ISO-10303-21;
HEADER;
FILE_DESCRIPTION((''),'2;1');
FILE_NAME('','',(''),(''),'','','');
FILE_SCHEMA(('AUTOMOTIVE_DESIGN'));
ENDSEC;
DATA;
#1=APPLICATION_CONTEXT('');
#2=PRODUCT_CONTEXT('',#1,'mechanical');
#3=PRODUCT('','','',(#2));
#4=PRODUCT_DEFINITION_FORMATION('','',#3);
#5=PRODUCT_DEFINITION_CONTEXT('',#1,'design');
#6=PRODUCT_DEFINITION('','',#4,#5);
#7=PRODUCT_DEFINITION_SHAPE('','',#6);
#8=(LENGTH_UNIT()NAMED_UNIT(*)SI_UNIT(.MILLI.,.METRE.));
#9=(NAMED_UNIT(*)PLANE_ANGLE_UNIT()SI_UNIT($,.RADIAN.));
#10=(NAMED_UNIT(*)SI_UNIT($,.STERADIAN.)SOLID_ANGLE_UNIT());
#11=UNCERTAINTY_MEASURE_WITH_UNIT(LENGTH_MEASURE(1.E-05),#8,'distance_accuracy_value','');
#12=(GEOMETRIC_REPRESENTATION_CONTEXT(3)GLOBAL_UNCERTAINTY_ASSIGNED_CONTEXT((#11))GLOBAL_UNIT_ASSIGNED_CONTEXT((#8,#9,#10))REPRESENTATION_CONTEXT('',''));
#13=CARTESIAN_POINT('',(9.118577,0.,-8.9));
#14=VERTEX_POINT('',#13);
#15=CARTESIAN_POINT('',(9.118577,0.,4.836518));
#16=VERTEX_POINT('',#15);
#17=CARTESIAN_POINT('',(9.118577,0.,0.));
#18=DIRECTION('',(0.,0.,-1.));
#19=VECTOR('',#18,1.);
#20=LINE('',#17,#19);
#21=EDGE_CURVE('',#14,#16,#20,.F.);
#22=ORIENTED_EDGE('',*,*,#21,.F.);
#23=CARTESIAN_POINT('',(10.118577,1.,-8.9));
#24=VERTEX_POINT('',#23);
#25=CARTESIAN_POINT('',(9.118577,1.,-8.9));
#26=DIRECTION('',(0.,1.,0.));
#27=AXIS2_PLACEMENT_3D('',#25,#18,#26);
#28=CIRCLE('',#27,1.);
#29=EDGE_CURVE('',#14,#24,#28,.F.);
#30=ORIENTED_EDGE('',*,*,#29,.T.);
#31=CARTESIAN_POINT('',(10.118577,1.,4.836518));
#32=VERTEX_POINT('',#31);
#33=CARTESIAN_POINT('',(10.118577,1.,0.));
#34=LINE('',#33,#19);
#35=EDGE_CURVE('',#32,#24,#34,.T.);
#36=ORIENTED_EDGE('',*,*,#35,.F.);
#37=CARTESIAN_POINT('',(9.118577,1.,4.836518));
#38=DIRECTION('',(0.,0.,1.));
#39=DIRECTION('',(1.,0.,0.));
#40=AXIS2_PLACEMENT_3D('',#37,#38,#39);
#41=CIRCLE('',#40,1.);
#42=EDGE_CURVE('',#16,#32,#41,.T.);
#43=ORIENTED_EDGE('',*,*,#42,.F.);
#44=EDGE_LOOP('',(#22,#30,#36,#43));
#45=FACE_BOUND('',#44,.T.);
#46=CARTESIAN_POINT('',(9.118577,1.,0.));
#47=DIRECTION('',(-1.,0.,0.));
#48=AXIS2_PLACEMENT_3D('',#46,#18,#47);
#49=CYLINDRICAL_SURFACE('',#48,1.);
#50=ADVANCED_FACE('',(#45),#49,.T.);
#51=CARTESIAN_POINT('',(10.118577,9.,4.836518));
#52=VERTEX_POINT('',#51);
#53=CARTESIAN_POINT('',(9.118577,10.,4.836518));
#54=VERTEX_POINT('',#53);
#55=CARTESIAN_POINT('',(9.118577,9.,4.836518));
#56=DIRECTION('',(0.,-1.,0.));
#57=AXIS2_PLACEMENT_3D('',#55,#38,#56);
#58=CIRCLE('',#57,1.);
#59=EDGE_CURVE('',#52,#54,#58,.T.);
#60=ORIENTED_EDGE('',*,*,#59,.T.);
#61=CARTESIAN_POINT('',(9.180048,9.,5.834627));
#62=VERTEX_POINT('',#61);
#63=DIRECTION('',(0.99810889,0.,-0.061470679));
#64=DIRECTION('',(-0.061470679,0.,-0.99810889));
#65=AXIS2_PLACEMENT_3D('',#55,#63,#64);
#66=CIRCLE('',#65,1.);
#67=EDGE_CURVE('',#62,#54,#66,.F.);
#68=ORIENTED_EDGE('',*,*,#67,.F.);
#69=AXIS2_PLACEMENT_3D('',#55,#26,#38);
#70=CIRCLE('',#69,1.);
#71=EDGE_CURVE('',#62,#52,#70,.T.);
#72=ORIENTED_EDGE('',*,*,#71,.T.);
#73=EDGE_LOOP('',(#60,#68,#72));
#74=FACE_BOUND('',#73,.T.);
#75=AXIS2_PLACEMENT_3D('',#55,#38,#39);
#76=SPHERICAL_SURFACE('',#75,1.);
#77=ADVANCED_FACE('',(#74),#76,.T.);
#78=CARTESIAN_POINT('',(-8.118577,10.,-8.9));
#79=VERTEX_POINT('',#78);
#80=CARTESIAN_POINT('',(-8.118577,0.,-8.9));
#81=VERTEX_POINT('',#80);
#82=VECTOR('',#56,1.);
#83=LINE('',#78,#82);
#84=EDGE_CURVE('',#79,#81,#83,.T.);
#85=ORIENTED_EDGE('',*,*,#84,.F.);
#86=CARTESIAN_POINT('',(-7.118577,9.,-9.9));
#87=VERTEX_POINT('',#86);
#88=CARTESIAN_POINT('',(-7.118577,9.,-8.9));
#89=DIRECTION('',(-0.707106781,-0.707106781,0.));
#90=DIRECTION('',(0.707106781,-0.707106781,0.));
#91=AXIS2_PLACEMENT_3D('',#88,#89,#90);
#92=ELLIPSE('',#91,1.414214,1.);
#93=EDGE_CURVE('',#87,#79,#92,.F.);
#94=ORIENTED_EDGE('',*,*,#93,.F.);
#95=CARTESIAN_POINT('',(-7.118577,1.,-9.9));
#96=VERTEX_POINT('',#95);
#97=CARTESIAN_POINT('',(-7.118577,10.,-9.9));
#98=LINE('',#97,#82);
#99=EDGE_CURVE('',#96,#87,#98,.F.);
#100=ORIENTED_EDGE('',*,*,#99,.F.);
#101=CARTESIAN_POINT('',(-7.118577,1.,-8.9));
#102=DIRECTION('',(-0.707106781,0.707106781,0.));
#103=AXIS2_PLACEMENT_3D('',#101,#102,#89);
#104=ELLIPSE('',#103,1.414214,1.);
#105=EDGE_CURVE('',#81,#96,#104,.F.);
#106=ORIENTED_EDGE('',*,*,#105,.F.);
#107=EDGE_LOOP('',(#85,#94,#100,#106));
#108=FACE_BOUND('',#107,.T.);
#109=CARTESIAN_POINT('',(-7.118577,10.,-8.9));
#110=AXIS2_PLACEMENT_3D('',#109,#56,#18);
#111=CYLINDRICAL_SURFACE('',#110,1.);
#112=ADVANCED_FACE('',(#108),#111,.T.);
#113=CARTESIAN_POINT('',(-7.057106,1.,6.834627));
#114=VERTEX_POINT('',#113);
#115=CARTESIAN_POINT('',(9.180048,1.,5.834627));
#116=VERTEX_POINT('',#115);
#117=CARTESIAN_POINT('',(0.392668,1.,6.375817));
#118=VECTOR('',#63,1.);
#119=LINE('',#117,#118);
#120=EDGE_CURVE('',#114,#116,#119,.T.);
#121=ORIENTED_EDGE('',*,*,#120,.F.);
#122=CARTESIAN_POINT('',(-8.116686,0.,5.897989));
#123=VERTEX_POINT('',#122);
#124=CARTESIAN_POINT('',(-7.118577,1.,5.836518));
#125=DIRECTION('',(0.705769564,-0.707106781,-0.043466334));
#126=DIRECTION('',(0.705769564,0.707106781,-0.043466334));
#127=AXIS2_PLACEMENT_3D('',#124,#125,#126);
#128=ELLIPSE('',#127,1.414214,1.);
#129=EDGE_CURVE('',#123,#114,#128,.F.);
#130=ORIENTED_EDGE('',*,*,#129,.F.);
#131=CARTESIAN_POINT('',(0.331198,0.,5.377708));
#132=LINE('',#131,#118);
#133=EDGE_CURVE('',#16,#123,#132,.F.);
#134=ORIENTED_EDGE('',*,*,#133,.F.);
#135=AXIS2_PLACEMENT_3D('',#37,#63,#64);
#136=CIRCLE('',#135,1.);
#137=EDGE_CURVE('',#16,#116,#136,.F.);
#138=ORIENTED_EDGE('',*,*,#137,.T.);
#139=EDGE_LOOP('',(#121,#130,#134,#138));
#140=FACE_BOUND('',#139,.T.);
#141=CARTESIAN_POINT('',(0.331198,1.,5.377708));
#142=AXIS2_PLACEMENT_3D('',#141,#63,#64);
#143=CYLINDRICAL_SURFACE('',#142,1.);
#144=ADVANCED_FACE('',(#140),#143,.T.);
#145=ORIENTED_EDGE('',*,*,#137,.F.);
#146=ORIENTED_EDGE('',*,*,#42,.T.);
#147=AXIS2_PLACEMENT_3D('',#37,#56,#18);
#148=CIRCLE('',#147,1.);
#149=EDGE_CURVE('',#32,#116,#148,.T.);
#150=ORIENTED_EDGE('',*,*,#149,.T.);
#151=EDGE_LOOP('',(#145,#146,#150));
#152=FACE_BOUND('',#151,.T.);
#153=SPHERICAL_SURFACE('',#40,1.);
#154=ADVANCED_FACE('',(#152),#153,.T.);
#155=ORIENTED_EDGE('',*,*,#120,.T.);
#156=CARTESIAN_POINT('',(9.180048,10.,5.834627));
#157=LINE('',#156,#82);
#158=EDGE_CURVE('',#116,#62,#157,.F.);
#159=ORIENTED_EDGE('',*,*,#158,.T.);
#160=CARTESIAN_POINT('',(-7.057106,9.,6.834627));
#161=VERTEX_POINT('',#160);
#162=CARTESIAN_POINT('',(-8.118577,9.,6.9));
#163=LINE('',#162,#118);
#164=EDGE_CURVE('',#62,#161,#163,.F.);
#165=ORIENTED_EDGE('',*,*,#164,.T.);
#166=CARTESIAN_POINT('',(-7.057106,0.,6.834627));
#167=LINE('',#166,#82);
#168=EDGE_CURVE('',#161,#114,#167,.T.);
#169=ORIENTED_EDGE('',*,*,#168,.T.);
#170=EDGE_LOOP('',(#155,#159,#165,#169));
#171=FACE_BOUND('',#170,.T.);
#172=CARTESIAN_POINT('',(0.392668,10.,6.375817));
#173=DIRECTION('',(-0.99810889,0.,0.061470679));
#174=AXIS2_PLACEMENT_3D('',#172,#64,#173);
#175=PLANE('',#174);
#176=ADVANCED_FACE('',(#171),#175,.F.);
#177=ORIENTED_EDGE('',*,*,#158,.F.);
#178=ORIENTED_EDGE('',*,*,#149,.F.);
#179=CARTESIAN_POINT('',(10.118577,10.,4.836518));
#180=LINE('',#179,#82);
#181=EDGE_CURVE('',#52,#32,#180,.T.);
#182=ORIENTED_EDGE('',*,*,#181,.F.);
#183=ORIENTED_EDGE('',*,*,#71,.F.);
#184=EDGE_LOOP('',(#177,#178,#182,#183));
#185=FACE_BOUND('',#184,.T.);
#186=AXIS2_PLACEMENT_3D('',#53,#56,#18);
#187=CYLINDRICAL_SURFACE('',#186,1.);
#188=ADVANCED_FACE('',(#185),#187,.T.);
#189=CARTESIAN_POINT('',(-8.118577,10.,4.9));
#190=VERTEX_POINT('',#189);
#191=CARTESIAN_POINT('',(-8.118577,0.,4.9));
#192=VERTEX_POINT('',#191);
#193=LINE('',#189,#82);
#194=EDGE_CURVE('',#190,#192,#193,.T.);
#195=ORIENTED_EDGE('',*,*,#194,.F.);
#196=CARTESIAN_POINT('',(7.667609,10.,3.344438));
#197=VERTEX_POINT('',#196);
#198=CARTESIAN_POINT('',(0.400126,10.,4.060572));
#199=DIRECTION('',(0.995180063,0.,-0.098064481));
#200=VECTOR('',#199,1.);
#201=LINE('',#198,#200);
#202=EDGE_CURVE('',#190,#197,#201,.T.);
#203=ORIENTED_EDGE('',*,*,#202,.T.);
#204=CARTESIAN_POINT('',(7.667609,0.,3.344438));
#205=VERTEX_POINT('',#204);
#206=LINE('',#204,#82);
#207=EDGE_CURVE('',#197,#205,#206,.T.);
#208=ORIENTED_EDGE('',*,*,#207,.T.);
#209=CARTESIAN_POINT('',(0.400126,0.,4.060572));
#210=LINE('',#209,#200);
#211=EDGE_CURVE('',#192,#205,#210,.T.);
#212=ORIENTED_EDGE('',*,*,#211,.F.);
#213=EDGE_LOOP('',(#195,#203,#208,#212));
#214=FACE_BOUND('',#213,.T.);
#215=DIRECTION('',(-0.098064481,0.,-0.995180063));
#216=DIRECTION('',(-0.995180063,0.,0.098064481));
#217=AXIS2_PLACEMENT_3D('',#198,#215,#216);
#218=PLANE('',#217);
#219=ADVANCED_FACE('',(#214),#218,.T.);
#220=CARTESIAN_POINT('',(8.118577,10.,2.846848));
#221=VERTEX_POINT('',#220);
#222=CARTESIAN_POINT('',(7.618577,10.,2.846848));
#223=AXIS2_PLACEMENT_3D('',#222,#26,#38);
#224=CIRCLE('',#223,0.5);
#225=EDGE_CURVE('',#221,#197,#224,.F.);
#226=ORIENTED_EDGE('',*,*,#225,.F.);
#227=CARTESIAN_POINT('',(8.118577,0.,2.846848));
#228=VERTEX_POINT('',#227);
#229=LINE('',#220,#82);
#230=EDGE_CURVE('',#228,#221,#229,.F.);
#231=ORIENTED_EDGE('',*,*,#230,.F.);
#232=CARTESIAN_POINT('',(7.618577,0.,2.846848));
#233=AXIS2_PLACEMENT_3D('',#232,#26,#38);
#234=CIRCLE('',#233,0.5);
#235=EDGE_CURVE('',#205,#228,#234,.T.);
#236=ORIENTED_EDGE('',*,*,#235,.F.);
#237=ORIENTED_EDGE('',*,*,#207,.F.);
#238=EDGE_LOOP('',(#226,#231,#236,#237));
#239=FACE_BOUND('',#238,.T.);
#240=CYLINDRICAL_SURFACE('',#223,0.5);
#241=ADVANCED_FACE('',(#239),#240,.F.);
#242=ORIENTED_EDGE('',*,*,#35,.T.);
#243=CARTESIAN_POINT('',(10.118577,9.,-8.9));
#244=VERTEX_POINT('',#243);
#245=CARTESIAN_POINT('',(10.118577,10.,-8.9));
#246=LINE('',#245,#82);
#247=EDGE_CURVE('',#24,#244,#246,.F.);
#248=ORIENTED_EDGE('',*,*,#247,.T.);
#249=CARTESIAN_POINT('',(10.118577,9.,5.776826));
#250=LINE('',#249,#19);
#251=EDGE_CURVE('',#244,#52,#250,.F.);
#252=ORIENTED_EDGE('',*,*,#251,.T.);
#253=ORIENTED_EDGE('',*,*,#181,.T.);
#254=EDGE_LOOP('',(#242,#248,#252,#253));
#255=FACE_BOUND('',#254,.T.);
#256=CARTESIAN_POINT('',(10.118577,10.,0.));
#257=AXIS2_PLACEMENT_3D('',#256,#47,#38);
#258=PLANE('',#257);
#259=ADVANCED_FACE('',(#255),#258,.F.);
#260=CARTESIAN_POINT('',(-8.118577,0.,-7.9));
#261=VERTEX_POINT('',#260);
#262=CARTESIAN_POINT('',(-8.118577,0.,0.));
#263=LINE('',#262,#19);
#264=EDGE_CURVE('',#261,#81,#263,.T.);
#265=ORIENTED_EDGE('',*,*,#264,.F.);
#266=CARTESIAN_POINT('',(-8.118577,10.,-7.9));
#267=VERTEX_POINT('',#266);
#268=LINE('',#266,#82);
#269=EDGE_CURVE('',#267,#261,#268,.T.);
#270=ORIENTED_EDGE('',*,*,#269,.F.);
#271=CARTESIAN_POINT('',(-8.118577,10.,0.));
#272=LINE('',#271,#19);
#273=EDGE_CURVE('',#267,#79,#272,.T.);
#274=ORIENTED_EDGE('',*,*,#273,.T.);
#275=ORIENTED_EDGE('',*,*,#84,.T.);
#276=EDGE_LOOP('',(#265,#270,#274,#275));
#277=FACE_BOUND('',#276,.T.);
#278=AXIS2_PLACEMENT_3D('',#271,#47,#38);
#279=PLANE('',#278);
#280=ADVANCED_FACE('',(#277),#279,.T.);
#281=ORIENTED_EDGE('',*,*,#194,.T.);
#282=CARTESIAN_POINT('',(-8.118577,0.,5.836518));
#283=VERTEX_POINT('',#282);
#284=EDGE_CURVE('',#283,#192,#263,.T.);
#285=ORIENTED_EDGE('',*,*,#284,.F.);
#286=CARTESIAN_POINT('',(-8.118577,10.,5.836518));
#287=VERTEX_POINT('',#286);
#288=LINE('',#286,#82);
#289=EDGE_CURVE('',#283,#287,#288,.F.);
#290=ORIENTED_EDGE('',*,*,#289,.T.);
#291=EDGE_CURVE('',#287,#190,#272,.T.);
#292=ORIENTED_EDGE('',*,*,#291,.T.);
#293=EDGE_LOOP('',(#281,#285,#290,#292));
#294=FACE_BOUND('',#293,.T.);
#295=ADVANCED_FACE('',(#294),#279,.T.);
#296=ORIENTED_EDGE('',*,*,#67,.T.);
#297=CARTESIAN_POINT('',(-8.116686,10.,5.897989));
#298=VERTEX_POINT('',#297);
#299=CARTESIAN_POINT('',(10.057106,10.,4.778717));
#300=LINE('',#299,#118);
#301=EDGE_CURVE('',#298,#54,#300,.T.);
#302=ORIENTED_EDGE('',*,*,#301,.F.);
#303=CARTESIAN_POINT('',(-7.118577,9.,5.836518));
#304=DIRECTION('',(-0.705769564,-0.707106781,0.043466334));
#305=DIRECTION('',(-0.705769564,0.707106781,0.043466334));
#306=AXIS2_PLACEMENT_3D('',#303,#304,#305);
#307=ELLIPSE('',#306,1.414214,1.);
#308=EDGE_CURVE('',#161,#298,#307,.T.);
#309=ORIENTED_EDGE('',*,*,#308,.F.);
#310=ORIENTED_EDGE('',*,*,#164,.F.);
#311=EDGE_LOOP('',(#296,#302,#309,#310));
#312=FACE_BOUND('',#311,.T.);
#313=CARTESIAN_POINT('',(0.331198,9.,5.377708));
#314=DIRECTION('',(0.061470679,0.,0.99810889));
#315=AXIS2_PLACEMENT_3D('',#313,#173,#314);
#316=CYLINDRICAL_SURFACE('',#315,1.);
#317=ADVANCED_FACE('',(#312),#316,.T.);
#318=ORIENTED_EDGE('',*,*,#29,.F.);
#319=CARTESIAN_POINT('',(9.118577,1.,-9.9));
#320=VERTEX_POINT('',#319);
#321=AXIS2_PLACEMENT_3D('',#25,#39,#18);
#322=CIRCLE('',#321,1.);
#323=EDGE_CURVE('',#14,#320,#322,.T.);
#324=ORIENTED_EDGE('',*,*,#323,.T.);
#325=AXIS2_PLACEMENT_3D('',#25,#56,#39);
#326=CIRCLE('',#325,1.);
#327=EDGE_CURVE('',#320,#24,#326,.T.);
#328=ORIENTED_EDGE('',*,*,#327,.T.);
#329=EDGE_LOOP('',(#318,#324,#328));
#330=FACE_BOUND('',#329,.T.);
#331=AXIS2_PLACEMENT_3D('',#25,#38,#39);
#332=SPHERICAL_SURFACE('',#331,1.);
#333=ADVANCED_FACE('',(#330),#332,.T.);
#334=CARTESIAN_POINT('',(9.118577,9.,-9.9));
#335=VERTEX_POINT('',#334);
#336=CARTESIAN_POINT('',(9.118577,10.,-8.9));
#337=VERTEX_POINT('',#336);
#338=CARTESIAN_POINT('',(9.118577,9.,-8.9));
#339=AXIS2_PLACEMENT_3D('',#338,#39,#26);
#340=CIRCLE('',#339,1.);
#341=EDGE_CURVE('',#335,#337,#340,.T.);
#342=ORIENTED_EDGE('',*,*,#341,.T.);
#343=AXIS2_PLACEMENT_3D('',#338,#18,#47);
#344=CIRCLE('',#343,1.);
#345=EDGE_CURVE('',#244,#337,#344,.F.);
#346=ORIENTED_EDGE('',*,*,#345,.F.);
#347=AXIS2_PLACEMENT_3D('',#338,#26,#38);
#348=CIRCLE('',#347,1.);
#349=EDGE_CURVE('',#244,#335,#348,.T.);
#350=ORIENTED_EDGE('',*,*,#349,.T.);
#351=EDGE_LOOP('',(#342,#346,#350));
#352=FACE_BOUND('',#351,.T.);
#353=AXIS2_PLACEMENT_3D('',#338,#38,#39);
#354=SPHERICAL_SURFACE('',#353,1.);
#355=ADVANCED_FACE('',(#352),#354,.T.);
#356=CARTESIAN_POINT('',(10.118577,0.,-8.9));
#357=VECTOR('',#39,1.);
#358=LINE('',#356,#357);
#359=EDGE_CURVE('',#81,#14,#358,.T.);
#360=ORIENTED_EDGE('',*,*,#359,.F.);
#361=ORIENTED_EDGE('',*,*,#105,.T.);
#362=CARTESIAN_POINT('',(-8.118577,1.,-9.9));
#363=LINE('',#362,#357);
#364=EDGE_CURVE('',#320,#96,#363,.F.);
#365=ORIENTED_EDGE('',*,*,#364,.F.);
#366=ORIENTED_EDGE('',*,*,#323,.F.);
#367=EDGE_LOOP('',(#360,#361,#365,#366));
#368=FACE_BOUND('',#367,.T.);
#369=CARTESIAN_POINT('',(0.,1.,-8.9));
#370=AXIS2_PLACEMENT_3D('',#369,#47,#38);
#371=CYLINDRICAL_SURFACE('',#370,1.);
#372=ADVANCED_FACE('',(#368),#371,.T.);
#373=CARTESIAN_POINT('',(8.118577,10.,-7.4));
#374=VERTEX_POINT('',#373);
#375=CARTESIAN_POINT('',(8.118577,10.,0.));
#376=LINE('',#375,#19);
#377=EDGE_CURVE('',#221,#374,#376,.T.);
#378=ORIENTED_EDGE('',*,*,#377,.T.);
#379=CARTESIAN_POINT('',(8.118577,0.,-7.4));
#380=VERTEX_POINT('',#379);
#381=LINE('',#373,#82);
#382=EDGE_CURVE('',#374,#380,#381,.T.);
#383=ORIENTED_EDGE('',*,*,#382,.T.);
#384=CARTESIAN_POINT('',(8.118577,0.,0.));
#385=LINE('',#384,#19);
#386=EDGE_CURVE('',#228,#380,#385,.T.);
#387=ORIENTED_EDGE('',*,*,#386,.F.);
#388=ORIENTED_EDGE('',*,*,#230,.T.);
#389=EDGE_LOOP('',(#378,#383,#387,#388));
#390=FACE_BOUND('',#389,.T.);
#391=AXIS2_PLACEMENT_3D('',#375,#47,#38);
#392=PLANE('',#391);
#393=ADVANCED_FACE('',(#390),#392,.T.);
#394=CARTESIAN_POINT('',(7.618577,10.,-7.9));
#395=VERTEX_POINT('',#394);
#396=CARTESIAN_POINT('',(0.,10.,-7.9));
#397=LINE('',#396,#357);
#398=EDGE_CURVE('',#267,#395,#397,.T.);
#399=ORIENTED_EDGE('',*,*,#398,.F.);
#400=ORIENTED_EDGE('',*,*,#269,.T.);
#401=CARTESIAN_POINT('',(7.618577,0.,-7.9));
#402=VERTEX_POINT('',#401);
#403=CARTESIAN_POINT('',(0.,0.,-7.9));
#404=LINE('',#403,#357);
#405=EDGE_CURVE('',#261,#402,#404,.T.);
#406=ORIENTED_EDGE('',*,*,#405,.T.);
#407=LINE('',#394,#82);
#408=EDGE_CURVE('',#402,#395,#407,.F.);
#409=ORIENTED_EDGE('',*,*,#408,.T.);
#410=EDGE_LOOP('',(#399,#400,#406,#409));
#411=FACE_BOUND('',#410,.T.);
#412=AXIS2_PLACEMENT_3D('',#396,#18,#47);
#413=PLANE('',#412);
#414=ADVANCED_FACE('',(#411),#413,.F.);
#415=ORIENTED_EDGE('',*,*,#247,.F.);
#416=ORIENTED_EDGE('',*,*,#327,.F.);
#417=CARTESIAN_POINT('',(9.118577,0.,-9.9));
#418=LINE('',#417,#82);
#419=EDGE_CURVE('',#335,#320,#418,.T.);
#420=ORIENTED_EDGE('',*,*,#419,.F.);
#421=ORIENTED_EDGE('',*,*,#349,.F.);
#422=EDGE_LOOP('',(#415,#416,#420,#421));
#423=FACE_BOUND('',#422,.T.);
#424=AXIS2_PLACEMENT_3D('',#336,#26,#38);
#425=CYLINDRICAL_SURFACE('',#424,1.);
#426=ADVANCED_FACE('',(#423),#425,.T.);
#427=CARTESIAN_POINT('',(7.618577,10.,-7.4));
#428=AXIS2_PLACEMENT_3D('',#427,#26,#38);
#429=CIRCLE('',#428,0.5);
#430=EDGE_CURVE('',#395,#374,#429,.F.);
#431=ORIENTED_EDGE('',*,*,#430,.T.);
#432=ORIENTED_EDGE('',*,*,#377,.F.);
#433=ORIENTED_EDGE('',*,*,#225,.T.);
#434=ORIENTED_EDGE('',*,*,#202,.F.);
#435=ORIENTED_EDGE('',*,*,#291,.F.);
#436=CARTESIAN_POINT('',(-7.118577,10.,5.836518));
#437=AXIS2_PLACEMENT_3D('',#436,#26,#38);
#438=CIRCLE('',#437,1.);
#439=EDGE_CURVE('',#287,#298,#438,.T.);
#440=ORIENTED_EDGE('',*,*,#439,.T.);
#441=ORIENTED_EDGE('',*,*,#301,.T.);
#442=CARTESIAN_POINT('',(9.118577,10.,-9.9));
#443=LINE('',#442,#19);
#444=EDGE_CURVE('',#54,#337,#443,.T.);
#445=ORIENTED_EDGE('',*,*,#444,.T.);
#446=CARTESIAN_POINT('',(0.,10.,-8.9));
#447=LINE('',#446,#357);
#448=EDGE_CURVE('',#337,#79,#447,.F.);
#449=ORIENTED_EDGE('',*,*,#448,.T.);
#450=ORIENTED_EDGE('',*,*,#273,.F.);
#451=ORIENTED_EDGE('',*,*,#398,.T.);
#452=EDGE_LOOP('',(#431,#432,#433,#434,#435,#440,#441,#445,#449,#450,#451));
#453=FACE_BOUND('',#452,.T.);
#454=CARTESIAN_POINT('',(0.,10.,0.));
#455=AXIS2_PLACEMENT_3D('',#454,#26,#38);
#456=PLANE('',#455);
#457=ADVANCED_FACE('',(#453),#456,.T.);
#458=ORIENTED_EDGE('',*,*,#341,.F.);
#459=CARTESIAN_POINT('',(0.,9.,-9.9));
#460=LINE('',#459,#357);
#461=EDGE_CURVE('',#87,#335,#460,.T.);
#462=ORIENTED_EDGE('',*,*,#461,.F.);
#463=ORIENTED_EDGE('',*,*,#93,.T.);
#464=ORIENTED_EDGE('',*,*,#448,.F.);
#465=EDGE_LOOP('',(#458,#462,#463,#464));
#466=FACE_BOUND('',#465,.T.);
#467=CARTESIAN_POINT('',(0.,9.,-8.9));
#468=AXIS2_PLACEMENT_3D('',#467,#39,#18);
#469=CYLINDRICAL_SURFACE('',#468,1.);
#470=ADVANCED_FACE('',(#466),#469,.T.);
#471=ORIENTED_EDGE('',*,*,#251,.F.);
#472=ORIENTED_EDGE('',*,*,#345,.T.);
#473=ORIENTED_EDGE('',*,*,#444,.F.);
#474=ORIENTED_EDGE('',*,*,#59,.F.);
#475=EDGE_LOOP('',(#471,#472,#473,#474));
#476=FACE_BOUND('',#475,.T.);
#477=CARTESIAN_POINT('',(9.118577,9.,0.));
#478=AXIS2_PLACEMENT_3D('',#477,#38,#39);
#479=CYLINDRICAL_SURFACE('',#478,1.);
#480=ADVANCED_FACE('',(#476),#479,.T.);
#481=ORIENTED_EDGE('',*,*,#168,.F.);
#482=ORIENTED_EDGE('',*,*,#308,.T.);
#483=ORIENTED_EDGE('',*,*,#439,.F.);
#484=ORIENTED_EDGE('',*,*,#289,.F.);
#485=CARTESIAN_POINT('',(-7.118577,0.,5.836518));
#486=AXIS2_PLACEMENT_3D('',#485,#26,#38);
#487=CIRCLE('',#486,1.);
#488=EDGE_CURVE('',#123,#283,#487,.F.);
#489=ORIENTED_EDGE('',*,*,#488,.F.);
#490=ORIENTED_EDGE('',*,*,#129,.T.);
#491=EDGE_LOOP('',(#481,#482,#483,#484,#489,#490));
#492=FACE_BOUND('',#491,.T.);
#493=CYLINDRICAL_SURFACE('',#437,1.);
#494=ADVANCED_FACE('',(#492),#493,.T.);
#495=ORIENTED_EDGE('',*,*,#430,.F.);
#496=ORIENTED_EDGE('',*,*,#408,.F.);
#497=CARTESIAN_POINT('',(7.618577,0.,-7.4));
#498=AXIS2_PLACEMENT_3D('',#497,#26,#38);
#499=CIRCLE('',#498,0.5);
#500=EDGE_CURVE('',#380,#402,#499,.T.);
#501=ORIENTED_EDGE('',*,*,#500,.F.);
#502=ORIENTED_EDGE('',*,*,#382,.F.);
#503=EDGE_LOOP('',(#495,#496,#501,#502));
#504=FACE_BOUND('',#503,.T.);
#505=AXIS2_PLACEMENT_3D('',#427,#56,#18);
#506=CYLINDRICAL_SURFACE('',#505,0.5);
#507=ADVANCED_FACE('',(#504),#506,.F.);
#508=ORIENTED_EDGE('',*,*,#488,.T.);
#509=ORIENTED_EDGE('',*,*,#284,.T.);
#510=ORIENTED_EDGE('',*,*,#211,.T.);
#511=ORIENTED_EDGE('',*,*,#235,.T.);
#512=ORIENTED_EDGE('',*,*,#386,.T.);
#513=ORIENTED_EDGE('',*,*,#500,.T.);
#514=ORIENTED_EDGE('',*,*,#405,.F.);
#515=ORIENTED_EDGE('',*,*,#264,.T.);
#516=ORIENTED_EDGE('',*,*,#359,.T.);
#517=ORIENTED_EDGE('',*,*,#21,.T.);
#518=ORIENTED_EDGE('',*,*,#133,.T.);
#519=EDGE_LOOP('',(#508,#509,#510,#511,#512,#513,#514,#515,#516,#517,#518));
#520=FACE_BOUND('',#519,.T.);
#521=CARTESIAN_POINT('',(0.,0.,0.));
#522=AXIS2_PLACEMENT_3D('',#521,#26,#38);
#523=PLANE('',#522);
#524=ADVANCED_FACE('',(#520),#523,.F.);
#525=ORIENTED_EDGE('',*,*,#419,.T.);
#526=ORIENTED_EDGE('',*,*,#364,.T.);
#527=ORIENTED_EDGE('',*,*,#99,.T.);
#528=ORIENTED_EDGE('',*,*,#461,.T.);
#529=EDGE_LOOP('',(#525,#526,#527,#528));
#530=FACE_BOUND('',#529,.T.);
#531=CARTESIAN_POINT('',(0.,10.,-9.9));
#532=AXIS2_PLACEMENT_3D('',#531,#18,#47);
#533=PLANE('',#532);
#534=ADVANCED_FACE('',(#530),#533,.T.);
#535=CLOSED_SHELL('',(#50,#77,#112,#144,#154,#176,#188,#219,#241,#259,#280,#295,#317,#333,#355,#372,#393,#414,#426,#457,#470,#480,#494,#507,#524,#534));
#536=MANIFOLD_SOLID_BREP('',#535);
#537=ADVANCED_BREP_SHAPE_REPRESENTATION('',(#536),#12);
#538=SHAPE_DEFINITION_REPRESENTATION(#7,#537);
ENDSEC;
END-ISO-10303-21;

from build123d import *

# Parameters (mm, degrees)
BOSS_EXTRUDE1_DEPTH = 10
FILLET1_R           = 1
FILLET2_R           = 0.5


with BuildPart() as part:
    # Sketch1 → Boss-Extrude1 (new body)
    with BuildSketch(Plane(origin=(0, 0, 0), x_dir=(1, 0, 0), z_dir=(0, 1, 0))):
        Polygon((-8.118577075, -4.9), (-8.118577075, -6.9), (10.118577075, -5.776825706), (10.118577075, 9.9), (-8.118577075, 9.9), (-8.118577075, 7.9), (8.118577075, 7.9), (8.118577075, -3.3), align=None)
    extrude(amount=BOSS_EXTRUDE1_DEPTH)

    # Fillet1
    fillet1_edges = [part.edges().sort_by_distance(p)[0] for p in [
        (1, 0, -9.9),
        (10.118577075, 0, -2.061587147),
        (1, 0, 6.338412853),
        (-8.118577075, 5, -9.9),
        (10.118577075, 5, -9.9),
        (10.118577075, 5, 5.776825706),
        (-8.118577075, 5, 6.9),
        (1, 10, 6.338412853),
        (10.118577075, 10, -2.061587147),
        (1, 10, -9.9),
    ]]
    fillet(fillet1_edges, radius=FILLET1_R)

    # Fillet2
    fillet2_edges = [part.edges().sort_by_distance(p)[0] for p in [
        (8.118577075, 5, -7.9),
        (8.118577075, 5, 3.3),
    ]]
    fillet(fillet2_edges, radius=FILLET2_R)


solid = part.part
